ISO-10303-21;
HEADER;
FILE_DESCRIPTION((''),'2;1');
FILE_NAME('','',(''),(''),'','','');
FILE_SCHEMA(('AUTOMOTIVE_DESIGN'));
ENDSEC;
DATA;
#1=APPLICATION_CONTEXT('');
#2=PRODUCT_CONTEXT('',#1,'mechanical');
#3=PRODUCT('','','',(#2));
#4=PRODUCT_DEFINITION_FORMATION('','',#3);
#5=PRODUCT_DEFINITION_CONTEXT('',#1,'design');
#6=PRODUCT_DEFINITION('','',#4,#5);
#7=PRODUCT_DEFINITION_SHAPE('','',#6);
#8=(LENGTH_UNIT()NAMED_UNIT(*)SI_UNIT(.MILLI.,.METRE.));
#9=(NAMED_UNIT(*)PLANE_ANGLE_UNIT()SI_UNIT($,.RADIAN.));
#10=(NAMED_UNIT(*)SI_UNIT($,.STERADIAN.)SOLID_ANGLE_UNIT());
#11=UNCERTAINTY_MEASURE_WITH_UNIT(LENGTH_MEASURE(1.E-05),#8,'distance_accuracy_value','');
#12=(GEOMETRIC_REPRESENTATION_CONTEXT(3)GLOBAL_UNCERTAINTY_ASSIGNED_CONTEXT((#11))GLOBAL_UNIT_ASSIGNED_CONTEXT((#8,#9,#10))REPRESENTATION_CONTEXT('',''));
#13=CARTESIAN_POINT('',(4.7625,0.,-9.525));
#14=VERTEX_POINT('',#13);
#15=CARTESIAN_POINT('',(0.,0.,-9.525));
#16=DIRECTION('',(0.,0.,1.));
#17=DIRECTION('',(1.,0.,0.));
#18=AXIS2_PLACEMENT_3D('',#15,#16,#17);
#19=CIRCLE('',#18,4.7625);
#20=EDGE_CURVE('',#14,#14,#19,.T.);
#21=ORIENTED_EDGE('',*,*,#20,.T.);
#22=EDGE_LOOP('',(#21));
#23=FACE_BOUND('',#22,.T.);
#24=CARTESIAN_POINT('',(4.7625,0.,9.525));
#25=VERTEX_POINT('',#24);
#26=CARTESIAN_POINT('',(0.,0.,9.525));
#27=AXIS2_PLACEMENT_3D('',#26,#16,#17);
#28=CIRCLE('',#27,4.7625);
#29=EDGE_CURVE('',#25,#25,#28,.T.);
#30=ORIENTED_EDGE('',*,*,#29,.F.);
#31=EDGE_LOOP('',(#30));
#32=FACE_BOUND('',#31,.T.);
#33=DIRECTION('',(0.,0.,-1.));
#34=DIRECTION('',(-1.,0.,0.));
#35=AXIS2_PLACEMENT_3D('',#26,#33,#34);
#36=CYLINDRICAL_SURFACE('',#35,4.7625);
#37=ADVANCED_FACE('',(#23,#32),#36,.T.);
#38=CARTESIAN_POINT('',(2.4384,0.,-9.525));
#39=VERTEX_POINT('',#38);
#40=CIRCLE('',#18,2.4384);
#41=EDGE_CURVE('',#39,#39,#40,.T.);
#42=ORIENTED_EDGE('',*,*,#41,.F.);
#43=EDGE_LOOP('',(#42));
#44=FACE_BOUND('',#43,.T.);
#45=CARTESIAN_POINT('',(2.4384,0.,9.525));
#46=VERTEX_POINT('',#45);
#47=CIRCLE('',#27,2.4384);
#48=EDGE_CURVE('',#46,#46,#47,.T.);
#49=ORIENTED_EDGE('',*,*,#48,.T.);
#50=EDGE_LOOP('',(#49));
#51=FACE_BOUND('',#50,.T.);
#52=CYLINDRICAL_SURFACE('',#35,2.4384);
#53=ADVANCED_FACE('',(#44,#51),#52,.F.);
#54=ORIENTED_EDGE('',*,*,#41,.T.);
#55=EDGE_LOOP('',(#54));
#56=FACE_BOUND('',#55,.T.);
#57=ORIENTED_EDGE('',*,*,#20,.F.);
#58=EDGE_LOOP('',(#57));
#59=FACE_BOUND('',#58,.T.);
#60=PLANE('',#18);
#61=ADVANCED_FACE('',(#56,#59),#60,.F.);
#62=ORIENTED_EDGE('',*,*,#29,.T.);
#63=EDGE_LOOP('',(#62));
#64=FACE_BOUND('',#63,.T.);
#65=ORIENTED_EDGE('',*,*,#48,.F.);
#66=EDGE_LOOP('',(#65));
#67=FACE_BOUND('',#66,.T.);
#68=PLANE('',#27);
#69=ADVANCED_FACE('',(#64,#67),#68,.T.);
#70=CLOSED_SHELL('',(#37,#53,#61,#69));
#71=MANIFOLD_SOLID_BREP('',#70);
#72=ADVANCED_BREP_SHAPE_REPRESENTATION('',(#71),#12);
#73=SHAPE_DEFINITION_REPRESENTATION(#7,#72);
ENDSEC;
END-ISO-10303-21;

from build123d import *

# Parameters (mm, degrees)
SKETCH1_R      = 4.7625
SKETCH1_R_2    = 2.4384
EXTRUDE1_DEPTH = 9.525


with BuildPart() as part:
    # Sketch1 → Extrude1 (new body, symmetric)
    with BuildSketch(Plane.XY):
        Circle(SKETCH1_R)
        Circle(SKETCH1_R_2, mode=Mode.SUBTRACT)
    extrude(amount=EXTRUDE1_DEPTH, both=True)


solid = part.part
